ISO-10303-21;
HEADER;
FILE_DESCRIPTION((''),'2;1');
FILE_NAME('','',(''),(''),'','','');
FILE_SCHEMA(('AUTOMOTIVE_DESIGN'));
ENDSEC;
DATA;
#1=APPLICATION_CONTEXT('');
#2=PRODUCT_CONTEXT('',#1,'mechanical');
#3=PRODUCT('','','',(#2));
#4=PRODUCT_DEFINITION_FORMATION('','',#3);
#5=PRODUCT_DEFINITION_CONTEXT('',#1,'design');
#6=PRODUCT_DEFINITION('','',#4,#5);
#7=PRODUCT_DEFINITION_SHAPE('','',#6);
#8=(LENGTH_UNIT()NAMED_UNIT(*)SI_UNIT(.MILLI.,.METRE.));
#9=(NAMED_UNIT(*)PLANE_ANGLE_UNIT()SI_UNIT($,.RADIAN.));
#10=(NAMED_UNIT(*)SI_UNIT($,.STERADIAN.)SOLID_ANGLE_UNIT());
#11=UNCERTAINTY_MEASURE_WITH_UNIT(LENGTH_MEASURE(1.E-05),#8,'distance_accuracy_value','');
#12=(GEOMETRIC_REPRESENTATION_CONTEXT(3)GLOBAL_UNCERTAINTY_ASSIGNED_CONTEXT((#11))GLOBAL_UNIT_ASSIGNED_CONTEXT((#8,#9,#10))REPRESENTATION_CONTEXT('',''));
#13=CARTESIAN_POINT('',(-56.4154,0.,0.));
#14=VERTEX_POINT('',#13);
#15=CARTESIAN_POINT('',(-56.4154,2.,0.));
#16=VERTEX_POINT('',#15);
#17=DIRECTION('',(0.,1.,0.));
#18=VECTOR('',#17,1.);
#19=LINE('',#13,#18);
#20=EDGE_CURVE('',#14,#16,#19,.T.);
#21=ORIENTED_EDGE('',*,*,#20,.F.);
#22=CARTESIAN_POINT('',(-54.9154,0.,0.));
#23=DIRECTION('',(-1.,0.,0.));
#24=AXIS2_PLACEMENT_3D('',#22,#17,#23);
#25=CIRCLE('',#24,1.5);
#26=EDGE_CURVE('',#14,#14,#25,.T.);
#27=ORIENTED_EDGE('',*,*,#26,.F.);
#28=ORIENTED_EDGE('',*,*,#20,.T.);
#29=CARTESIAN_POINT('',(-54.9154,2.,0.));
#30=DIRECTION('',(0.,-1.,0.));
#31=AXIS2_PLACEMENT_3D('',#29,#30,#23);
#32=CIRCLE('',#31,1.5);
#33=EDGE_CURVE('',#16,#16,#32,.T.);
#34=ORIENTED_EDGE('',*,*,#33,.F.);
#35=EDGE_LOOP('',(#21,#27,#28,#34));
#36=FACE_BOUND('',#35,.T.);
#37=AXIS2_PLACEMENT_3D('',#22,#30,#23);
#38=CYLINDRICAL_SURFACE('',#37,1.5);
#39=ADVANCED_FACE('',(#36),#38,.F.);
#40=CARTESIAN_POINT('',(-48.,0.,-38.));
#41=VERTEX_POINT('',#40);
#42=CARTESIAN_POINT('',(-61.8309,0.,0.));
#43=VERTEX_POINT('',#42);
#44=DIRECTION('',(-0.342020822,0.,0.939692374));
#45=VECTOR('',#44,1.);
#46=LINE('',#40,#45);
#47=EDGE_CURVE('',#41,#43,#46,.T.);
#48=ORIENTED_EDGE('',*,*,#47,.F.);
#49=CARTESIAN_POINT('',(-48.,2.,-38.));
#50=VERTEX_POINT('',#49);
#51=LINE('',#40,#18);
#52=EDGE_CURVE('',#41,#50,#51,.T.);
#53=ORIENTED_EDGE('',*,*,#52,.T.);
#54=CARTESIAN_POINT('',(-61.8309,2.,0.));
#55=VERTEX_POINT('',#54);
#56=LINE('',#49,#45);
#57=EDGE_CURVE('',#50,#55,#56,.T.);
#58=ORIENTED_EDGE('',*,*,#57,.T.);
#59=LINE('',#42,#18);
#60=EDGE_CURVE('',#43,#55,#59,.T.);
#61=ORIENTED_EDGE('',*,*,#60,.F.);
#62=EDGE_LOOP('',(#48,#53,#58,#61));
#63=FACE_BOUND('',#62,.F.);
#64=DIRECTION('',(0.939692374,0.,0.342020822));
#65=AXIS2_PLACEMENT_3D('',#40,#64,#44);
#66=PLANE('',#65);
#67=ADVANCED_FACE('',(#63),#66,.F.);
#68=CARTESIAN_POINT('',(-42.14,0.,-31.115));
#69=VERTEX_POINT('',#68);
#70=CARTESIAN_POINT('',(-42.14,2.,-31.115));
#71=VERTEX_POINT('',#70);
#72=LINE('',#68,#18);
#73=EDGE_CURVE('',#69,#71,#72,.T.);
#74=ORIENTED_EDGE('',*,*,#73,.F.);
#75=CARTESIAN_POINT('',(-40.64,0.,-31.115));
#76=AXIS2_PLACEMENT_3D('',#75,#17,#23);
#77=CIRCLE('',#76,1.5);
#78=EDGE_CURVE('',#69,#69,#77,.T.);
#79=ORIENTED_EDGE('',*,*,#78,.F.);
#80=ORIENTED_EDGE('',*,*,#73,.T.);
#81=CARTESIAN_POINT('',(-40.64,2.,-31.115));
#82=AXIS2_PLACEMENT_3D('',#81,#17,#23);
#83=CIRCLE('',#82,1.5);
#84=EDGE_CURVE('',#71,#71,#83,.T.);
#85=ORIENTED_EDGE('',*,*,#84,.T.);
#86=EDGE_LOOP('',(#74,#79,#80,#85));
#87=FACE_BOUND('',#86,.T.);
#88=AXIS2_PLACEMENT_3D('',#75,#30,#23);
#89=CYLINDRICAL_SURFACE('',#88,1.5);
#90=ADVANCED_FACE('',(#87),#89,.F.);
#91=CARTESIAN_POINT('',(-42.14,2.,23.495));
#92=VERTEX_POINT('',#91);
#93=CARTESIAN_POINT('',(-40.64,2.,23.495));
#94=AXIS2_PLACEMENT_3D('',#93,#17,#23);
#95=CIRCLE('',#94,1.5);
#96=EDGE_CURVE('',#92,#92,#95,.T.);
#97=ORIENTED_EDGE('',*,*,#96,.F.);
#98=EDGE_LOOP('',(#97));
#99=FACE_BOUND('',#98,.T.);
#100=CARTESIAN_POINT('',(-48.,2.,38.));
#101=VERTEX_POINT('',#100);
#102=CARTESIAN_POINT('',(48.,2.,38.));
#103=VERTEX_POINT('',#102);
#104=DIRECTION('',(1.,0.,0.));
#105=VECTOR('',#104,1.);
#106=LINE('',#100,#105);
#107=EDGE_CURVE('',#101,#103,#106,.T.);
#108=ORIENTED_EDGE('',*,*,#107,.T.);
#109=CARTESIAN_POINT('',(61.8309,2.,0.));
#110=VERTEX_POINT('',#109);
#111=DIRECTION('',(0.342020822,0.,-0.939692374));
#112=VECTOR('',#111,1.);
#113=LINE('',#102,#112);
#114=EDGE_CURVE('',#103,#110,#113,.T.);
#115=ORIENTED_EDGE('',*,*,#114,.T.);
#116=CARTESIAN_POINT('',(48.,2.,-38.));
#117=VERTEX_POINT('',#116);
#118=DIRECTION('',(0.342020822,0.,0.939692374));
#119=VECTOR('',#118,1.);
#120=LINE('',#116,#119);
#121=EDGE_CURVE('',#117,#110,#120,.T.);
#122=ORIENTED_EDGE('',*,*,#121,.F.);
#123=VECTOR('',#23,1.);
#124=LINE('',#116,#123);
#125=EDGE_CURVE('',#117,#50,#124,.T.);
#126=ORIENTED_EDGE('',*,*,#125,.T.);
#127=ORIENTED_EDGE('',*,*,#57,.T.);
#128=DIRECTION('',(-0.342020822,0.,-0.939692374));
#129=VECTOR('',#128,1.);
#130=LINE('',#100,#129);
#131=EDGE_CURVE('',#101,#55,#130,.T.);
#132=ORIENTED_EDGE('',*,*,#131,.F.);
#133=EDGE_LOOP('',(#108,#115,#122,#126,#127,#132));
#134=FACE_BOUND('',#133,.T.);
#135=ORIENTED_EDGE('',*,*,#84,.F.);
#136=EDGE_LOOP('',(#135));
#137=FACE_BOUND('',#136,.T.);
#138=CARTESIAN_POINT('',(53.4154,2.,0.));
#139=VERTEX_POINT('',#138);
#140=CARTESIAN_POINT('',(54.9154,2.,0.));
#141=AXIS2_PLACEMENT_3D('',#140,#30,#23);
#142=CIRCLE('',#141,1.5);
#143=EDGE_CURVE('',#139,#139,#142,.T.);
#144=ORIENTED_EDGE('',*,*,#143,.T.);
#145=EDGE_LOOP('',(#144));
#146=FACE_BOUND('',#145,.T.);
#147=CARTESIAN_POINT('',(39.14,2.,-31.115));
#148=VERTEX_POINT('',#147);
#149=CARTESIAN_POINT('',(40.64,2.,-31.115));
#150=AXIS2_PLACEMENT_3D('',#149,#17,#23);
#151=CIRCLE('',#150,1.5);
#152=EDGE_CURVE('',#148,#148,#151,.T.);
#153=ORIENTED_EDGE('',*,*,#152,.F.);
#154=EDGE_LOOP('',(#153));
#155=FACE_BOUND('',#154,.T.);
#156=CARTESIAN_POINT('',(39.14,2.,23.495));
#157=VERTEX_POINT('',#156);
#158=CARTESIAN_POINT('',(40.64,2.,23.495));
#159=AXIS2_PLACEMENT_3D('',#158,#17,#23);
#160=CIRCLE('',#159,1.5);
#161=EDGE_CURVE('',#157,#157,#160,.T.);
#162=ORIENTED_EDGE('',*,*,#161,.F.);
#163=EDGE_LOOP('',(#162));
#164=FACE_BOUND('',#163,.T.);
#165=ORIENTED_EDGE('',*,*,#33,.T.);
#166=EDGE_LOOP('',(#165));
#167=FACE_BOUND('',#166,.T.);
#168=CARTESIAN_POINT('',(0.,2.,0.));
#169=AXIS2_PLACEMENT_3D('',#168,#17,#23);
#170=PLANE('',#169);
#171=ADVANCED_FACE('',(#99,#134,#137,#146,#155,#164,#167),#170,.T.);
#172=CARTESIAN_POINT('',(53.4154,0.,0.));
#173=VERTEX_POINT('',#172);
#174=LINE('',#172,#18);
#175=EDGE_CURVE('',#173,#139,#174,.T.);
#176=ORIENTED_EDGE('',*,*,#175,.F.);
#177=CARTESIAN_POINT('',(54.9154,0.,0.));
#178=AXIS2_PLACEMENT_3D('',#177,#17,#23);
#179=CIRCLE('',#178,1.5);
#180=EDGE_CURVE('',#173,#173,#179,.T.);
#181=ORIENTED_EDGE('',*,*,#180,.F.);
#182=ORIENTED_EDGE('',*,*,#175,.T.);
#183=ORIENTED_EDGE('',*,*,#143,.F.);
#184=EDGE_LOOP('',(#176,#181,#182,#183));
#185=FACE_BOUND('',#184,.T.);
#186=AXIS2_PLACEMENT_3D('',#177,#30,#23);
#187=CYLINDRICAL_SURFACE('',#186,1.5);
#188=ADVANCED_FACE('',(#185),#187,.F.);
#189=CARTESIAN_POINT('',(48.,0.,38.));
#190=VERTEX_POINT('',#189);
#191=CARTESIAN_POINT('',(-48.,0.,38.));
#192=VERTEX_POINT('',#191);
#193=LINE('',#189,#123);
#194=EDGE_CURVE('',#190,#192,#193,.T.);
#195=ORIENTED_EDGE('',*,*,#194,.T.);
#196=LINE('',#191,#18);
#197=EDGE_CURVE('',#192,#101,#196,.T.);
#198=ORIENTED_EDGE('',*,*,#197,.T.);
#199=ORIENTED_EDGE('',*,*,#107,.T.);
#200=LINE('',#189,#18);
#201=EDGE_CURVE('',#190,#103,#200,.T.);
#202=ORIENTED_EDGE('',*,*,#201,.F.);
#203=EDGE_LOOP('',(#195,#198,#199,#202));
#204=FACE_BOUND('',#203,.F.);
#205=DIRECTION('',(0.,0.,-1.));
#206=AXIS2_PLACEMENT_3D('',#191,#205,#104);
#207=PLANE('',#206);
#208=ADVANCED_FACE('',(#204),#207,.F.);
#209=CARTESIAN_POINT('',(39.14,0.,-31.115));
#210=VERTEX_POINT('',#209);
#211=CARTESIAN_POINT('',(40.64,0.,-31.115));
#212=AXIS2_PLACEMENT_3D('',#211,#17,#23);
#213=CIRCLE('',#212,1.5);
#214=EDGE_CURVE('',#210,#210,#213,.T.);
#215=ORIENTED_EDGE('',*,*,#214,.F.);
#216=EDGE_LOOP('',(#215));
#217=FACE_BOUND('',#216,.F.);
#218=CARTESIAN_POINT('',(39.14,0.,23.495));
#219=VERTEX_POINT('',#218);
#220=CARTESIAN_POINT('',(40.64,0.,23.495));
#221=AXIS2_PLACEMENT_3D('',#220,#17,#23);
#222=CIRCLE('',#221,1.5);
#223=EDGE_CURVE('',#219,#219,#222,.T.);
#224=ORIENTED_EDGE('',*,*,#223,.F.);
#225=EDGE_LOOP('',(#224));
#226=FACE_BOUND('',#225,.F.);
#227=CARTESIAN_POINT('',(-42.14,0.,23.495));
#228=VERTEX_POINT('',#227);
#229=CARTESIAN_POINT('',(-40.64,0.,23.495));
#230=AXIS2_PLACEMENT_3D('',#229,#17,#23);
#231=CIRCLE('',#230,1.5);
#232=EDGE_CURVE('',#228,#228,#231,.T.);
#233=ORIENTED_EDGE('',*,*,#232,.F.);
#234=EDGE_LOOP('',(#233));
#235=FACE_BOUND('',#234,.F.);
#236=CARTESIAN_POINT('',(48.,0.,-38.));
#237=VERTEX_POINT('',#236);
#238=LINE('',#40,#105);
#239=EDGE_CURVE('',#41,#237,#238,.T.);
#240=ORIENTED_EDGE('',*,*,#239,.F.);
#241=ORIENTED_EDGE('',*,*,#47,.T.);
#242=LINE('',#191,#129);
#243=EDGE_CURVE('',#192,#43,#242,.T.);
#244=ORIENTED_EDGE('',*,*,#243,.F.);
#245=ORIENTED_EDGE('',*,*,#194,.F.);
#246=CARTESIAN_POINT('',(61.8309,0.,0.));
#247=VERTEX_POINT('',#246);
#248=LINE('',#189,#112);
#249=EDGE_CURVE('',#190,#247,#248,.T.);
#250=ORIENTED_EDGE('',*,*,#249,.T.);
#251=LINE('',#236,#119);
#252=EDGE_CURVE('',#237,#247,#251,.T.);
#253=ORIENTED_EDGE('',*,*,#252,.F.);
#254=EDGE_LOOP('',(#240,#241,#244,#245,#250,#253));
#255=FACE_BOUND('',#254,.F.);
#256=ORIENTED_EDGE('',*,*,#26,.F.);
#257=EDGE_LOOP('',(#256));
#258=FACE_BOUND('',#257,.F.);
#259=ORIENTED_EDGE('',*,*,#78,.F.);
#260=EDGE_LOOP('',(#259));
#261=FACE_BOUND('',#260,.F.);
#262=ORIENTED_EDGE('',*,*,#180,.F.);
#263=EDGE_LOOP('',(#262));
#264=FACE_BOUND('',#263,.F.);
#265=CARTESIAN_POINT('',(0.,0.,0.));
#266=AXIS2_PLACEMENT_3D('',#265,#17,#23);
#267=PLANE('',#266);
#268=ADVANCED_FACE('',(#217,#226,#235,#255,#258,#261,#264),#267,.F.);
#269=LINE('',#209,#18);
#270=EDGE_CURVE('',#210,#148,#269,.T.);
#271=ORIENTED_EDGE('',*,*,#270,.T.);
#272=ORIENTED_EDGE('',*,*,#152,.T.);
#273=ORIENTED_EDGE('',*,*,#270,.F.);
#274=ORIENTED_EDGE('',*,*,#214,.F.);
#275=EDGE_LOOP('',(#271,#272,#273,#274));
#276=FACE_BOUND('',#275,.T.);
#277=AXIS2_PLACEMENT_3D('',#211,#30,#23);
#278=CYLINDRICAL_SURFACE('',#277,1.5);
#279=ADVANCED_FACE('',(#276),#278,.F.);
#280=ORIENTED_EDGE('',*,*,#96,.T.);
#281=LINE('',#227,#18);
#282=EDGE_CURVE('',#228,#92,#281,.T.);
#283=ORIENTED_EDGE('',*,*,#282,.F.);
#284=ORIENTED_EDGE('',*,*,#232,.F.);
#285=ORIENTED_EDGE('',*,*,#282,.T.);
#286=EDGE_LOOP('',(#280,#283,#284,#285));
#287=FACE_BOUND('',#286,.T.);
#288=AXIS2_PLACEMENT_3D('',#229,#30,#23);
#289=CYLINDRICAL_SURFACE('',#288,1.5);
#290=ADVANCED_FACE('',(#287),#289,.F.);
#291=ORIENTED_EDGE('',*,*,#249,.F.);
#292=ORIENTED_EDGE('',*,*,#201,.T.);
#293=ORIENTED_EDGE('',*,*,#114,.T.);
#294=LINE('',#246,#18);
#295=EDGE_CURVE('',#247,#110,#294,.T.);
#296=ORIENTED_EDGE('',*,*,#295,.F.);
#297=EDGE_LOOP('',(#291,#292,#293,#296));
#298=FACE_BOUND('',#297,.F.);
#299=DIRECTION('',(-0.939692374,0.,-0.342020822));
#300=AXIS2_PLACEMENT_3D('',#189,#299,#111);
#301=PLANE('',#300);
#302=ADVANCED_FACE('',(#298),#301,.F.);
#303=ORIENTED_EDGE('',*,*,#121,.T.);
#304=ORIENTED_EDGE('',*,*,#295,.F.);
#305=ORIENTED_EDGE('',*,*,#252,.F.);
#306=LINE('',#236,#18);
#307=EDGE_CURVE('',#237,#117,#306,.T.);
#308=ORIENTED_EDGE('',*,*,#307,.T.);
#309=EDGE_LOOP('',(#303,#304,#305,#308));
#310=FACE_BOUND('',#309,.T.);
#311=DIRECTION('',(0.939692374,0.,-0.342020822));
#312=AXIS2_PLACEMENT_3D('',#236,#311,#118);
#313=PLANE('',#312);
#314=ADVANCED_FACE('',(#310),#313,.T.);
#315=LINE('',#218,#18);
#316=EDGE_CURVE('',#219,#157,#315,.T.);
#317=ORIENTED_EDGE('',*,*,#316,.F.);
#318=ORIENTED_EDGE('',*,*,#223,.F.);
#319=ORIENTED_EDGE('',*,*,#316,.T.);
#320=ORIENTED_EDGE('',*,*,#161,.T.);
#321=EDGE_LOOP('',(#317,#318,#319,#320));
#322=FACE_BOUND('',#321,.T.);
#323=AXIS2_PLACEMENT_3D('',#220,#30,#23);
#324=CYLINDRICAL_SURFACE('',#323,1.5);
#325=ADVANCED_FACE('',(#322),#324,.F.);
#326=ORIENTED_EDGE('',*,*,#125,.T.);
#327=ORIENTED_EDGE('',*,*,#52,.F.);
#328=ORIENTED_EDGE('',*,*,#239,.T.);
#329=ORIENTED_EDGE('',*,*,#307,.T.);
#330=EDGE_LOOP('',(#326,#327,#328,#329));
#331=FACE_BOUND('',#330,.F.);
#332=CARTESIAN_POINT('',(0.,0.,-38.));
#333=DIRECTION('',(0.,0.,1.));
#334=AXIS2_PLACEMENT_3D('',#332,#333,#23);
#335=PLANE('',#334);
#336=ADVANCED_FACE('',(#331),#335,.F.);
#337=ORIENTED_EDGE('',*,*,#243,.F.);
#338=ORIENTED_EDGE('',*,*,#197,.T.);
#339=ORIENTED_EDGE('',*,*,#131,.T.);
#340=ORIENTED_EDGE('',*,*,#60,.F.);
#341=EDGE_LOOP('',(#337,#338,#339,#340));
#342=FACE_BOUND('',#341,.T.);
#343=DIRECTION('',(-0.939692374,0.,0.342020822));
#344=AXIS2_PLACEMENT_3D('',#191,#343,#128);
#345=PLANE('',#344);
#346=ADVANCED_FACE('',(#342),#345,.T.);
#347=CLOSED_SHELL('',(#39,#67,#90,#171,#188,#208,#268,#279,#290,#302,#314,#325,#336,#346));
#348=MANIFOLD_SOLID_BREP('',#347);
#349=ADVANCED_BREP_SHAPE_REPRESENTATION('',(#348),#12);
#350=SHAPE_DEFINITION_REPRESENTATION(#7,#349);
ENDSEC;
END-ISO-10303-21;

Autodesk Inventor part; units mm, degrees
ref_plane "YZ Plane" through (0, 0, 0) normal (1, 0, 0) x (0, 1, 0)
ref_plane "XZ Plane" through (0, 0, 0) normal (0, 1, 0) x (-1, 0, 0)
ref_plane "XY Plane" through (0, 0, 0) normal (0, 0, 1) x (1, 0, 0)
sketch "Sketch1" plane through (0, 0, 0) normal (0, 1, 0) x (-1, 0, 0)
  line L0 (45.72, 36.195) -> (-45.72, 36.195)
  line L1 (-45.72, 36.195) -> (-45.72, -36.195)
  line L2 (-45.72, -36.195) -> (45.72, -36.195)
  line L3 (45.72, -36.195) -> (45.72, 36.195)
  line L4 (45.72, 36.195) -> (-45.72, -36.195) construction
  line L5 (-45.72, 36.195) -> (45.72, -36.195) construction
  line L6 (48, 38) -> (-48, 38)
  line L7 (-48, 38) -> (-48, -38)
  line L8 (-48, -38) -> (48, -38)
  line L9 (48, -38) -> (48, 38)
  line L10 (48, 38) -> (-48, -38) construction
  line L11 (-48, 38) -> (48, -38) construction
  line L12 (-48, 38) -> (-61.8309, 0)
  line L13 (-48, 38) -> (-7.5612, 38) construction
  line L14 (-48, -38) -> (-61.8309, 0)
  line L15 (-48, -38) -> (-7.5612, -38) construction
  line L16 (0, -38) -> (0, 38)
  line L17 (-48, 0) -> (48, 0)
  line L18 (48, 38) -> (61.8309, 0)
  line L19 (48, -38) -> (61.8309, 0)
  circle A0 centre (54.9154, 0) radius 1.5
  circle A1 centre (-54.9154, 0) radius 1.5
  circle A2 centre (40.64, -31.115) radius 1.5
  circle A3 centre (40.64, 23.495) radius 1.5
  circle A4 centre (-40.64, -31.115) radius 1.5
  circle A5 centre (-40.64, 23.495) radius 1.5
  line L20 (61.8309, 0) -> (48, 0)
  line L21 (-48, 0) -> (-61.8309, 0)
  point P0 (0, 0)
  point P1 (0, 0)
  dimension "d43" = 91.44
  dimension "d44" = 72.39
  dimension "d45" = 96
  dimension "d46" = 76
  dimension "d47" = 110
  dimension "d48" = 110
  dimension "d49" = 3
  dimension "d50" = 3
  dimension "d51" = 3
  dimension "d52" = 5.08
  dimension "d53" = 5.08
  dimension "d54" = 3
  dimension "d55" = 12.7
  dimension "d56" = 5.08
extrude "Extrusion3" add sketch "Sketch1" along normal blind 2 contours L3 L17 L16 L0 | L0 L16 L6 L9 L17 L3 | L16 L17 L1 L0 | L0 L1 L17 L7 L6 L16 | L17 L9 L8 L16 L2 L3 | L3 L2 L16 L17 | L16 L2 L1 L17 | L20 A0 L19 L9 | L9 L18 L20 A0 | L1 L2 L16 L8 L7 L17 | L7 L21 A1 L12 | L7 L14 L21 A1
thread "Thread7" size "M3x0.5" class "6H" standard "ANSI Metric M Profile" length 8.001
thread "Thread8" size "M3x0.5" class "6H" standard "ANSI Metric M Profile" length 8.001
thread "Thread9" size "M3x0.5" class "6H" standard "ANSI Metric M Profile" length 8.001
thread "Thread10" size "M3x0.5" class "6H" standard "ANSI Metric M Profile" length 8.001
thread "Thread11" size "M3x0.5" class "6H" standard "ANSI Metric M Profile" length 8.001
thread "Thread12" size "M3x0.5" class "6H" standard "ANSI Metric M Profile" length 8.001
properties part number "ControllerHeadBottom"
